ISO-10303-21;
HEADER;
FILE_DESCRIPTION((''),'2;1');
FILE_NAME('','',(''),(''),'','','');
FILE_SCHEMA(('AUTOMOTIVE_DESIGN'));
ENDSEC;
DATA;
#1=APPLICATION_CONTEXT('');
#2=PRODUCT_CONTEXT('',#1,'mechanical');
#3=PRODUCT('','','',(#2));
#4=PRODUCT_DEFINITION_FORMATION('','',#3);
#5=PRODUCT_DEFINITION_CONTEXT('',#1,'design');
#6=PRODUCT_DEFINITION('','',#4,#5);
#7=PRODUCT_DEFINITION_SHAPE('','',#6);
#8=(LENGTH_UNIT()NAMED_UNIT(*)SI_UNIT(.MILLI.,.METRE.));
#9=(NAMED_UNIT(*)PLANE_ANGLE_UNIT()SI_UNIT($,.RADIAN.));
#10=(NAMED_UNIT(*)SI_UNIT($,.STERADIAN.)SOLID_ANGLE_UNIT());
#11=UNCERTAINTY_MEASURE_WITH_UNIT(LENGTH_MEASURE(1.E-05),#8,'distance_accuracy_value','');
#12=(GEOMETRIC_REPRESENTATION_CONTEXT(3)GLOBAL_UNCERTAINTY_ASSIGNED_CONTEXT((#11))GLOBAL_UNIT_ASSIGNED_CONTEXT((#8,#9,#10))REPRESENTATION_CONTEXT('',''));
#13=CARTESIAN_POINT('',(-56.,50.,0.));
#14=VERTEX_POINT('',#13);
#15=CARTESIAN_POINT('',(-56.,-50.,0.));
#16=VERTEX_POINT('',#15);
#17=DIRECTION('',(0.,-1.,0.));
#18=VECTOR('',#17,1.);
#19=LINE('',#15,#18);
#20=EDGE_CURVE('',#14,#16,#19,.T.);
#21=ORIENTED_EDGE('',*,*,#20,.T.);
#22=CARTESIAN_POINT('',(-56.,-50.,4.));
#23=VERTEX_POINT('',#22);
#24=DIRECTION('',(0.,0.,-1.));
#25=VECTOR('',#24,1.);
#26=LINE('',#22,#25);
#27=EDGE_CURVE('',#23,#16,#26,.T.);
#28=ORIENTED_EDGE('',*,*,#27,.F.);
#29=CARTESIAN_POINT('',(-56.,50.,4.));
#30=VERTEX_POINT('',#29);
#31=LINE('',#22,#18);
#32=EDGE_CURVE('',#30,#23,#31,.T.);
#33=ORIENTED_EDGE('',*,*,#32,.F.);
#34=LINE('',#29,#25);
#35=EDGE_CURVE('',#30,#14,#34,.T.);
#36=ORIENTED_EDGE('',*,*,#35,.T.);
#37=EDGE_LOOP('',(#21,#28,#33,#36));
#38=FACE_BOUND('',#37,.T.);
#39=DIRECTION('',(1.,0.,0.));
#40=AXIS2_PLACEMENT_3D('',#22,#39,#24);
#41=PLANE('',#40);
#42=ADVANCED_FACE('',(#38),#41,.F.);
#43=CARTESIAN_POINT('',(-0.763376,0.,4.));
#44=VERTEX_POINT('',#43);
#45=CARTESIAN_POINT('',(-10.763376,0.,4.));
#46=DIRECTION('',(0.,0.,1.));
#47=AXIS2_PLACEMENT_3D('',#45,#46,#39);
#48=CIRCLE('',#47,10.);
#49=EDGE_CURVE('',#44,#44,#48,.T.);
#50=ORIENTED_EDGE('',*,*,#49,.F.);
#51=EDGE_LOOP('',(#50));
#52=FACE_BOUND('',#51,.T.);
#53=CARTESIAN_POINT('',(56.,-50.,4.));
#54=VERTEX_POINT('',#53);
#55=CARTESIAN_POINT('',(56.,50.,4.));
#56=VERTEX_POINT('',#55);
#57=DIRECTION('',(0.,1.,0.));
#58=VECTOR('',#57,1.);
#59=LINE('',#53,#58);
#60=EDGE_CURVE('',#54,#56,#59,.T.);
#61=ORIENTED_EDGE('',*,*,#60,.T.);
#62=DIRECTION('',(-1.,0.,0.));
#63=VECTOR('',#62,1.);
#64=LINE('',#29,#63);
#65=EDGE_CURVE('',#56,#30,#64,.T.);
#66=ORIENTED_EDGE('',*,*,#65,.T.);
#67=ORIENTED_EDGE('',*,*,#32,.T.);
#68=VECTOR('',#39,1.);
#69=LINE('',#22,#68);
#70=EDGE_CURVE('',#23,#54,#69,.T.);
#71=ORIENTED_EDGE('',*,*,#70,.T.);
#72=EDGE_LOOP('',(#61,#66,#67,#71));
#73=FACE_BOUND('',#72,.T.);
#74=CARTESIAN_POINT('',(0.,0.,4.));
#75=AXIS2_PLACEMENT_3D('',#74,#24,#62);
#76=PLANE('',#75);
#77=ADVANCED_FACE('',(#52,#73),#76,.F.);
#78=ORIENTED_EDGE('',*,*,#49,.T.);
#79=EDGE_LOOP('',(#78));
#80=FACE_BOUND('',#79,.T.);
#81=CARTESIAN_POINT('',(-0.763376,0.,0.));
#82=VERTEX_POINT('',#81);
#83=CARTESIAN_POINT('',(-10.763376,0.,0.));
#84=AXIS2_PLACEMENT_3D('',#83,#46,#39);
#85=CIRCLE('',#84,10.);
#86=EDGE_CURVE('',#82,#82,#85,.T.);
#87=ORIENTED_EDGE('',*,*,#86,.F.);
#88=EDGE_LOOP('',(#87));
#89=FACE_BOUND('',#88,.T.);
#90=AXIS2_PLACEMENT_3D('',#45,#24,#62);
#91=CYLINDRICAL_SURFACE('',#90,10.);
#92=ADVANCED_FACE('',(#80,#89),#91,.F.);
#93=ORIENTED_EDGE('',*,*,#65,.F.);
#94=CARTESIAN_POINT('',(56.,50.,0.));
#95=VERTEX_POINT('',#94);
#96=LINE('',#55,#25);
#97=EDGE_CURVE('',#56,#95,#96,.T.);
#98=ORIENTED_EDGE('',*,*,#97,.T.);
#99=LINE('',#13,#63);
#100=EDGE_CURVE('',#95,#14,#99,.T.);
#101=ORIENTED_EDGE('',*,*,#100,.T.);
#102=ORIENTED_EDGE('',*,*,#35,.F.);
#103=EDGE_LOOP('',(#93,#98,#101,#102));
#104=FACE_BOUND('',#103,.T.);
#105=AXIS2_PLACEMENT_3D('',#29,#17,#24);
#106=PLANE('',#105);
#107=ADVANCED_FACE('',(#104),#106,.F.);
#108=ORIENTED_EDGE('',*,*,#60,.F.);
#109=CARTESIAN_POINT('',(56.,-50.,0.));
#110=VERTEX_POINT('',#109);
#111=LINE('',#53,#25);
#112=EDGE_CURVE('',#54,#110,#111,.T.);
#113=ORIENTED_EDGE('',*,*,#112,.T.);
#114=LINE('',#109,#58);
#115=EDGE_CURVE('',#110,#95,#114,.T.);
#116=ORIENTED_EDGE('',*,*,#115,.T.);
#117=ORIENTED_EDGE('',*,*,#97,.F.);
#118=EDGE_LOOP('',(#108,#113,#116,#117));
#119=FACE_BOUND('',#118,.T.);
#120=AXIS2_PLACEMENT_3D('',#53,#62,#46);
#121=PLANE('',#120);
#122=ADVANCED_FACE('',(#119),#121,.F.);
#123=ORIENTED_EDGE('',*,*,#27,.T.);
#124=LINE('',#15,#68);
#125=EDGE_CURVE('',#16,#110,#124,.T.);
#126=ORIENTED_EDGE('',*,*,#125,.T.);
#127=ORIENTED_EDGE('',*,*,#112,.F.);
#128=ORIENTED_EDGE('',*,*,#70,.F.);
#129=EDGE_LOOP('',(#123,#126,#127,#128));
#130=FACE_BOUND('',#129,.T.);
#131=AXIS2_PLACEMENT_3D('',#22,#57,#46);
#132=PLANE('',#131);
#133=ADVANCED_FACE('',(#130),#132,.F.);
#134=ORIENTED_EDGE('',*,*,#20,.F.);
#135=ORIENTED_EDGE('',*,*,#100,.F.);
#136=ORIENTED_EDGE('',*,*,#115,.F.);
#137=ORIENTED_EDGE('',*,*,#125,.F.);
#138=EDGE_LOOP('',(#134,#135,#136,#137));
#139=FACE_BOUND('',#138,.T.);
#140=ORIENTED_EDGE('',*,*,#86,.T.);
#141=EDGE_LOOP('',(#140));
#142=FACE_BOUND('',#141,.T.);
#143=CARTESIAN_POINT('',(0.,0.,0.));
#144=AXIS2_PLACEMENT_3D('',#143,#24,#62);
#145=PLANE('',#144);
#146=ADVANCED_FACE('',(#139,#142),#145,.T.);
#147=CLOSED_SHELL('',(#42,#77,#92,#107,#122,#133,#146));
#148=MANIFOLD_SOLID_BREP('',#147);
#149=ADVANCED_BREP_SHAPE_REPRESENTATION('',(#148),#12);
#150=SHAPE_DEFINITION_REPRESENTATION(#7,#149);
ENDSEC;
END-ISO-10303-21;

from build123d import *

# Parameters (mm, degrees)
SKETCH1_W           = 112
SKETCH1_H           = 100
SKETCH1_R           = 10
BOSS_EXTRUDE1_DEPTH = 4


with BuildPart() as part:
    # Sketch1 → Boss-Extrude1 (new body)
    with BuildSketch(Plane.XY):
        Rectangle(SKETCH1_W, SKETCH1_H)
        with Locations((-10.763375575, 0)):
            Circle(SKETCH1_R, mode=Mode.SUBTRACT)
    extrude(amount=BOSS_EXTRUDE1_DEPTH)


solid = part.part
